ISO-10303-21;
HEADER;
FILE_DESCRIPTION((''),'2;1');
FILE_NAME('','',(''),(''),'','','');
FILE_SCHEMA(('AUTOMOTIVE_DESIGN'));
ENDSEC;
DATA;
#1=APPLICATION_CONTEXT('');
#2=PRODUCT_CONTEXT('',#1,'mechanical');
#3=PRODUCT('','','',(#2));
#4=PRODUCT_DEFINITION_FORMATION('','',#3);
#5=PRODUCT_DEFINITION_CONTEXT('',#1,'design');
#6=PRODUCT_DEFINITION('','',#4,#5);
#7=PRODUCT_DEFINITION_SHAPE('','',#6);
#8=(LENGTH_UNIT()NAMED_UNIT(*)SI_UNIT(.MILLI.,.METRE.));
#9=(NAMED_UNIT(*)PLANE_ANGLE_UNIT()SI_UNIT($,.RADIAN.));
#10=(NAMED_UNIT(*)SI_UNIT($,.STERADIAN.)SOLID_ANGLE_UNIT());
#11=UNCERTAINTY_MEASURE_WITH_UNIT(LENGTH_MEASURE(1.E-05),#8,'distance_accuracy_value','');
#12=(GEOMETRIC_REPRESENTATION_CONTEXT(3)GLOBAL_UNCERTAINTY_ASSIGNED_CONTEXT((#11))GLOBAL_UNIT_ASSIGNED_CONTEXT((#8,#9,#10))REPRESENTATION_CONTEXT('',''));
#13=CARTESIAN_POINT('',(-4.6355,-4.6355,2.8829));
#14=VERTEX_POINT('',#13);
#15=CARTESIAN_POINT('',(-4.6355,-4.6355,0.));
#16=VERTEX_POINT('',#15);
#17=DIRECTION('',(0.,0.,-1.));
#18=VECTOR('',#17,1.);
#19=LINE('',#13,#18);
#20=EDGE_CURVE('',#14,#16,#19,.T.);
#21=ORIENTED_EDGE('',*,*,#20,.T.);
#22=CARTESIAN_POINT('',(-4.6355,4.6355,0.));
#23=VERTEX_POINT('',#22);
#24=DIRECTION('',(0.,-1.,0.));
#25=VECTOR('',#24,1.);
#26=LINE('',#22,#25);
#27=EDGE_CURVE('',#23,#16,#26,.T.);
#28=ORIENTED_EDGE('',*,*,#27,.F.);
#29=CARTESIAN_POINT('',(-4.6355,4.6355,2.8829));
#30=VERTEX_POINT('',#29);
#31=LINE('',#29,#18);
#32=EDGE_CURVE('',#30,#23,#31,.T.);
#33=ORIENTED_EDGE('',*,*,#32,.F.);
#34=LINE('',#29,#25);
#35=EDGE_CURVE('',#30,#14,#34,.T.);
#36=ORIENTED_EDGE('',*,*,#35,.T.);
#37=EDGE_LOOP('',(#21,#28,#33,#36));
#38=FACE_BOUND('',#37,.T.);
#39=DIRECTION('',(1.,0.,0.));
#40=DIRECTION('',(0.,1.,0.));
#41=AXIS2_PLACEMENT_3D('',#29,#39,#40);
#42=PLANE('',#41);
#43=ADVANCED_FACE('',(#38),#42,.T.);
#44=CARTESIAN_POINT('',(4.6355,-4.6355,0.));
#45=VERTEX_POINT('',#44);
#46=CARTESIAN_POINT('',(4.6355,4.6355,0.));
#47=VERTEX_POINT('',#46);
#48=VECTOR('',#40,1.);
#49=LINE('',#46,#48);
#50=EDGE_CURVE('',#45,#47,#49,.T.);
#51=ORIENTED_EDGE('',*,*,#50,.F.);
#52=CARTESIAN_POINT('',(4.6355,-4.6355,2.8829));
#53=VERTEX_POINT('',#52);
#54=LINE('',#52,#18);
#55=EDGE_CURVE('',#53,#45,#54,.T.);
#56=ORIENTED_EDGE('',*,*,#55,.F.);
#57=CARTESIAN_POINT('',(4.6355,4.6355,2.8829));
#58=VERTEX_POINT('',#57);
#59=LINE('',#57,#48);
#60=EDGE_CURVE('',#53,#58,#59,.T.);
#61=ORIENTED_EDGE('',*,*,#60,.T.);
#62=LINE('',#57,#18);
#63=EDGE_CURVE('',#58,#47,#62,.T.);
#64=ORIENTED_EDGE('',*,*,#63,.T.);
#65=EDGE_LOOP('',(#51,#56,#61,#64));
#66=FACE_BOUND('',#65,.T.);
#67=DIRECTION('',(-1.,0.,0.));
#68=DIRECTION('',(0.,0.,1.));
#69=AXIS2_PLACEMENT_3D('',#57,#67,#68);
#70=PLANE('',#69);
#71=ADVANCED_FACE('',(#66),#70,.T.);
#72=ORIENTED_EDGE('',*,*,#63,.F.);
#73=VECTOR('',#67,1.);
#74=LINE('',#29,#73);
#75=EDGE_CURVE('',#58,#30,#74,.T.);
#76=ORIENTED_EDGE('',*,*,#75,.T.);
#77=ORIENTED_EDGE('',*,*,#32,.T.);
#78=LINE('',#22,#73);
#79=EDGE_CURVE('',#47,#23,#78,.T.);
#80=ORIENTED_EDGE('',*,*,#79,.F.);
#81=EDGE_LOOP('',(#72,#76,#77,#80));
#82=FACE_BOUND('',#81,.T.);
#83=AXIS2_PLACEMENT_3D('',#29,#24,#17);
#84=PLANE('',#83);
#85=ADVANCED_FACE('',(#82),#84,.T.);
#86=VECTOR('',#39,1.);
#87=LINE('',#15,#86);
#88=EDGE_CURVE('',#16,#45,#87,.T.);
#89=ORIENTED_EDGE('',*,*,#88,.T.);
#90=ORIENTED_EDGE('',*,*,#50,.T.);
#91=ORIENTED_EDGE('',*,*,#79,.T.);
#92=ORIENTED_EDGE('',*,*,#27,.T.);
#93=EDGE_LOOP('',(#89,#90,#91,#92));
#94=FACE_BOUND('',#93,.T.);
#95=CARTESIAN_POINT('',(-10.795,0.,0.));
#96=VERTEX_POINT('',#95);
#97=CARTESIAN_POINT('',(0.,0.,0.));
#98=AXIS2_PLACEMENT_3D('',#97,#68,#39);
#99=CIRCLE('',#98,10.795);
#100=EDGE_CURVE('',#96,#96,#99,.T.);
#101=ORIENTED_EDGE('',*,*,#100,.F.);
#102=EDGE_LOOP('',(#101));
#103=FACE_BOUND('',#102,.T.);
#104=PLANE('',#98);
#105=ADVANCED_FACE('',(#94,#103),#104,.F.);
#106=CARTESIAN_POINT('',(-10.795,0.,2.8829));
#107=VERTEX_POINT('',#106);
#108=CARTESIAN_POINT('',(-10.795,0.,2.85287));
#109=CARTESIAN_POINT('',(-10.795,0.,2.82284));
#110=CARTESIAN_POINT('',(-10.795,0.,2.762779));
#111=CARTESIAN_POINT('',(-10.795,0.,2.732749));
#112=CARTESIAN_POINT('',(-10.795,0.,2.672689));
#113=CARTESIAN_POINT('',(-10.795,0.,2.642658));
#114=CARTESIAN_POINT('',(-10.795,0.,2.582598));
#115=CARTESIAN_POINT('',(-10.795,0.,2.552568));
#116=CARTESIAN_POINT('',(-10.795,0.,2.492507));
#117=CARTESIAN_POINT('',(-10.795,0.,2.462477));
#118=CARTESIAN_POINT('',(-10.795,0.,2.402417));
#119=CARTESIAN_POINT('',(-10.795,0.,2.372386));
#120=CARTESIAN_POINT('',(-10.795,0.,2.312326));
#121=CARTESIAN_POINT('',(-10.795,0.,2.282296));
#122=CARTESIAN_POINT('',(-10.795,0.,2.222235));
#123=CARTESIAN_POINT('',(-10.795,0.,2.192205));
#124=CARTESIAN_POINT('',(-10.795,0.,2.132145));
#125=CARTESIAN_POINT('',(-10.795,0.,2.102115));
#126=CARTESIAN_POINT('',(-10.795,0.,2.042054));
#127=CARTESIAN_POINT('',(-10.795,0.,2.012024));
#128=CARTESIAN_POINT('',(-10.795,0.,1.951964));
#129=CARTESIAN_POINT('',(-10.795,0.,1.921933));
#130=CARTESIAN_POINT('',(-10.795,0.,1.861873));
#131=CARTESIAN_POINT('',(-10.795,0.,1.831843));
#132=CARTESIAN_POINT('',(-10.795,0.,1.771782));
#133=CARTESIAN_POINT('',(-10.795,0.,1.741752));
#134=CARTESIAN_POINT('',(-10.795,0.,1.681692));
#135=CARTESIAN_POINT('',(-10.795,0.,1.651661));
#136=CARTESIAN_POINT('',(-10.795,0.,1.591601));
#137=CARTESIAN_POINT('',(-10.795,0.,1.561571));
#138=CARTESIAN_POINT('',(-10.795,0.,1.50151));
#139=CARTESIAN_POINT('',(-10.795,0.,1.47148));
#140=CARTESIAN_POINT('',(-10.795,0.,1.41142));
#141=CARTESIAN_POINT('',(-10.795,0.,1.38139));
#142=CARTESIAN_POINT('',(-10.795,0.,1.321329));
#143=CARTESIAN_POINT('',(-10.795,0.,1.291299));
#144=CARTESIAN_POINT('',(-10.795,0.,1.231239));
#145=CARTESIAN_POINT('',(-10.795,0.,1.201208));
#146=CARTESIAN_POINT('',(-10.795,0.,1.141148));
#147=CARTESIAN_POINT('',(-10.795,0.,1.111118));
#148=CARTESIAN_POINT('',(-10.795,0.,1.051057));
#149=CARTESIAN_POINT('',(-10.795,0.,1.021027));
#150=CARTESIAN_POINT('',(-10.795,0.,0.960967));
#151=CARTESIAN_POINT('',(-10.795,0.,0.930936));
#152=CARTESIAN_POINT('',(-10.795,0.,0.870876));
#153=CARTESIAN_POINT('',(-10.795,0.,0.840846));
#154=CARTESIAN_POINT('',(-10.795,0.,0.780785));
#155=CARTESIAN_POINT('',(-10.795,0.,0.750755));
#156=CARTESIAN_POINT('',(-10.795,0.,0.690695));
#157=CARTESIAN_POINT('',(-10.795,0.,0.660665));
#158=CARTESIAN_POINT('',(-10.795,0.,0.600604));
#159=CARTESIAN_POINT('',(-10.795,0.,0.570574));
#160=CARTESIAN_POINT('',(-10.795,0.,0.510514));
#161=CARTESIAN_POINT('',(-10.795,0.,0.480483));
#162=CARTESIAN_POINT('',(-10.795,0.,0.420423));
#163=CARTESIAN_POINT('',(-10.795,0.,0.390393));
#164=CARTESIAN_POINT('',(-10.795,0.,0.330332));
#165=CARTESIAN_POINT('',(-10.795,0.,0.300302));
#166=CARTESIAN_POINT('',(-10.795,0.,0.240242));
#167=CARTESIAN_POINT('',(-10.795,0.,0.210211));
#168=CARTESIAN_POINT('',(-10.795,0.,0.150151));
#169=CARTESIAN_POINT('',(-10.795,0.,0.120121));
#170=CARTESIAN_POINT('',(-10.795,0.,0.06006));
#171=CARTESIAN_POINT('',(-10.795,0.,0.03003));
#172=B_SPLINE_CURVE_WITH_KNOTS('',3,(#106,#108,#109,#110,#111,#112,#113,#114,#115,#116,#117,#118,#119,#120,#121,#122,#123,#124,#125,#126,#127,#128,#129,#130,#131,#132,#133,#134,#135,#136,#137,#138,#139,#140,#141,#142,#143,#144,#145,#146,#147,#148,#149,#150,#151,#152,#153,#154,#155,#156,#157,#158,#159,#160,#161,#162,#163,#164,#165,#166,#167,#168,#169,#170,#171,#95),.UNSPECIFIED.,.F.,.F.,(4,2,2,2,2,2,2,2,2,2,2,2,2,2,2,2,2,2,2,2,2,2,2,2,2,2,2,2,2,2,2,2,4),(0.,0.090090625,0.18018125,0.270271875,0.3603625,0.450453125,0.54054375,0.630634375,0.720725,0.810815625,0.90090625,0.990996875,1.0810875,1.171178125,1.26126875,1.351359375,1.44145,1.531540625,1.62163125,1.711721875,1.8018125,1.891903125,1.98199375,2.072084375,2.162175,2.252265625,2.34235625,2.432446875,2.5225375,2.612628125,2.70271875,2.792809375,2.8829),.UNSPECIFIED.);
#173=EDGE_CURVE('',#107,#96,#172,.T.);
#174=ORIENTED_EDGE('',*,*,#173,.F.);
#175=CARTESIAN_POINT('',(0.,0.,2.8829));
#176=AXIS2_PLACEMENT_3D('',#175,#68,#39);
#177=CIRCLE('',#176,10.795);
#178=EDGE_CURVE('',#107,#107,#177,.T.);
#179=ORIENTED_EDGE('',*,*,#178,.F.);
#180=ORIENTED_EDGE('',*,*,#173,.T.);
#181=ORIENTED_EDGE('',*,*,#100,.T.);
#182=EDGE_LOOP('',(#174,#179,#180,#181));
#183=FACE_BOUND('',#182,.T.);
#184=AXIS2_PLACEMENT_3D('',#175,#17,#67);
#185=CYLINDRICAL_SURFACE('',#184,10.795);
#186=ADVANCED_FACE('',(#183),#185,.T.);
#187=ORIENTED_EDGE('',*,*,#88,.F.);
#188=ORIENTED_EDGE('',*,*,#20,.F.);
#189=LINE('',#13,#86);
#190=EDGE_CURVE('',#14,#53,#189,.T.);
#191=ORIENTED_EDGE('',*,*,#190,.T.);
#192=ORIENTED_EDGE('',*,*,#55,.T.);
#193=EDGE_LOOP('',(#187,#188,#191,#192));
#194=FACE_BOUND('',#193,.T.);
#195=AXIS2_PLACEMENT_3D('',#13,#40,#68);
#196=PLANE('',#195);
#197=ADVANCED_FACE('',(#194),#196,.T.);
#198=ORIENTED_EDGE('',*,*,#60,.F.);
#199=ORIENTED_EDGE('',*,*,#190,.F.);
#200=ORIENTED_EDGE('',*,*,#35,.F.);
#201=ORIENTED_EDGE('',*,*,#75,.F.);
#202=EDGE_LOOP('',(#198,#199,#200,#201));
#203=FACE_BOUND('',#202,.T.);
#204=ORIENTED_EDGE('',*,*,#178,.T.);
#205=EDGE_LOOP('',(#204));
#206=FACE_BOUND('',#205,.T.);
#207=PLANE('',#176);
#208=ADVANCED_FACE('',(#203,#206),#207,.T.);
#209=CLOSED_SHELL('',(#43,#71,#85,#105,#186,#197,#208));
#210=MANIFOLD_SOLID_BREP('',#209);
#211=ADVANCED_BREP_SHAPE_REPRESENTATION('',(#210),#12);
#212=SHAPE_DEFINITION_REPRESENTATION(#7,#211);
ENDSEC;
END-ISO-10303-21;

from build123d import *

# Parameters (mm, degrees)
SKETCH1_R           = 10.795
SKETCH1_W           = 9.271
SKETCH1_H           = 9.271
BOSS_EXTRUDE1_DEPTH = 2.8829


with BuildPart() as part:
    # Sketch1 → Boss-Extrude1 (new body)
    with BuildSketch(Plane.XY):
        with Locations(Location((0, 0, 0), (0, 0, 180))):
            Circle(SKETCH1_R)
        Rectangle(SKETCH1_W, SKETCH1_H, mode=Mode.SUBTRACT)
    extrude(amount=BOSS_EXTRUDE1_DEPTH)


solid = part.part
